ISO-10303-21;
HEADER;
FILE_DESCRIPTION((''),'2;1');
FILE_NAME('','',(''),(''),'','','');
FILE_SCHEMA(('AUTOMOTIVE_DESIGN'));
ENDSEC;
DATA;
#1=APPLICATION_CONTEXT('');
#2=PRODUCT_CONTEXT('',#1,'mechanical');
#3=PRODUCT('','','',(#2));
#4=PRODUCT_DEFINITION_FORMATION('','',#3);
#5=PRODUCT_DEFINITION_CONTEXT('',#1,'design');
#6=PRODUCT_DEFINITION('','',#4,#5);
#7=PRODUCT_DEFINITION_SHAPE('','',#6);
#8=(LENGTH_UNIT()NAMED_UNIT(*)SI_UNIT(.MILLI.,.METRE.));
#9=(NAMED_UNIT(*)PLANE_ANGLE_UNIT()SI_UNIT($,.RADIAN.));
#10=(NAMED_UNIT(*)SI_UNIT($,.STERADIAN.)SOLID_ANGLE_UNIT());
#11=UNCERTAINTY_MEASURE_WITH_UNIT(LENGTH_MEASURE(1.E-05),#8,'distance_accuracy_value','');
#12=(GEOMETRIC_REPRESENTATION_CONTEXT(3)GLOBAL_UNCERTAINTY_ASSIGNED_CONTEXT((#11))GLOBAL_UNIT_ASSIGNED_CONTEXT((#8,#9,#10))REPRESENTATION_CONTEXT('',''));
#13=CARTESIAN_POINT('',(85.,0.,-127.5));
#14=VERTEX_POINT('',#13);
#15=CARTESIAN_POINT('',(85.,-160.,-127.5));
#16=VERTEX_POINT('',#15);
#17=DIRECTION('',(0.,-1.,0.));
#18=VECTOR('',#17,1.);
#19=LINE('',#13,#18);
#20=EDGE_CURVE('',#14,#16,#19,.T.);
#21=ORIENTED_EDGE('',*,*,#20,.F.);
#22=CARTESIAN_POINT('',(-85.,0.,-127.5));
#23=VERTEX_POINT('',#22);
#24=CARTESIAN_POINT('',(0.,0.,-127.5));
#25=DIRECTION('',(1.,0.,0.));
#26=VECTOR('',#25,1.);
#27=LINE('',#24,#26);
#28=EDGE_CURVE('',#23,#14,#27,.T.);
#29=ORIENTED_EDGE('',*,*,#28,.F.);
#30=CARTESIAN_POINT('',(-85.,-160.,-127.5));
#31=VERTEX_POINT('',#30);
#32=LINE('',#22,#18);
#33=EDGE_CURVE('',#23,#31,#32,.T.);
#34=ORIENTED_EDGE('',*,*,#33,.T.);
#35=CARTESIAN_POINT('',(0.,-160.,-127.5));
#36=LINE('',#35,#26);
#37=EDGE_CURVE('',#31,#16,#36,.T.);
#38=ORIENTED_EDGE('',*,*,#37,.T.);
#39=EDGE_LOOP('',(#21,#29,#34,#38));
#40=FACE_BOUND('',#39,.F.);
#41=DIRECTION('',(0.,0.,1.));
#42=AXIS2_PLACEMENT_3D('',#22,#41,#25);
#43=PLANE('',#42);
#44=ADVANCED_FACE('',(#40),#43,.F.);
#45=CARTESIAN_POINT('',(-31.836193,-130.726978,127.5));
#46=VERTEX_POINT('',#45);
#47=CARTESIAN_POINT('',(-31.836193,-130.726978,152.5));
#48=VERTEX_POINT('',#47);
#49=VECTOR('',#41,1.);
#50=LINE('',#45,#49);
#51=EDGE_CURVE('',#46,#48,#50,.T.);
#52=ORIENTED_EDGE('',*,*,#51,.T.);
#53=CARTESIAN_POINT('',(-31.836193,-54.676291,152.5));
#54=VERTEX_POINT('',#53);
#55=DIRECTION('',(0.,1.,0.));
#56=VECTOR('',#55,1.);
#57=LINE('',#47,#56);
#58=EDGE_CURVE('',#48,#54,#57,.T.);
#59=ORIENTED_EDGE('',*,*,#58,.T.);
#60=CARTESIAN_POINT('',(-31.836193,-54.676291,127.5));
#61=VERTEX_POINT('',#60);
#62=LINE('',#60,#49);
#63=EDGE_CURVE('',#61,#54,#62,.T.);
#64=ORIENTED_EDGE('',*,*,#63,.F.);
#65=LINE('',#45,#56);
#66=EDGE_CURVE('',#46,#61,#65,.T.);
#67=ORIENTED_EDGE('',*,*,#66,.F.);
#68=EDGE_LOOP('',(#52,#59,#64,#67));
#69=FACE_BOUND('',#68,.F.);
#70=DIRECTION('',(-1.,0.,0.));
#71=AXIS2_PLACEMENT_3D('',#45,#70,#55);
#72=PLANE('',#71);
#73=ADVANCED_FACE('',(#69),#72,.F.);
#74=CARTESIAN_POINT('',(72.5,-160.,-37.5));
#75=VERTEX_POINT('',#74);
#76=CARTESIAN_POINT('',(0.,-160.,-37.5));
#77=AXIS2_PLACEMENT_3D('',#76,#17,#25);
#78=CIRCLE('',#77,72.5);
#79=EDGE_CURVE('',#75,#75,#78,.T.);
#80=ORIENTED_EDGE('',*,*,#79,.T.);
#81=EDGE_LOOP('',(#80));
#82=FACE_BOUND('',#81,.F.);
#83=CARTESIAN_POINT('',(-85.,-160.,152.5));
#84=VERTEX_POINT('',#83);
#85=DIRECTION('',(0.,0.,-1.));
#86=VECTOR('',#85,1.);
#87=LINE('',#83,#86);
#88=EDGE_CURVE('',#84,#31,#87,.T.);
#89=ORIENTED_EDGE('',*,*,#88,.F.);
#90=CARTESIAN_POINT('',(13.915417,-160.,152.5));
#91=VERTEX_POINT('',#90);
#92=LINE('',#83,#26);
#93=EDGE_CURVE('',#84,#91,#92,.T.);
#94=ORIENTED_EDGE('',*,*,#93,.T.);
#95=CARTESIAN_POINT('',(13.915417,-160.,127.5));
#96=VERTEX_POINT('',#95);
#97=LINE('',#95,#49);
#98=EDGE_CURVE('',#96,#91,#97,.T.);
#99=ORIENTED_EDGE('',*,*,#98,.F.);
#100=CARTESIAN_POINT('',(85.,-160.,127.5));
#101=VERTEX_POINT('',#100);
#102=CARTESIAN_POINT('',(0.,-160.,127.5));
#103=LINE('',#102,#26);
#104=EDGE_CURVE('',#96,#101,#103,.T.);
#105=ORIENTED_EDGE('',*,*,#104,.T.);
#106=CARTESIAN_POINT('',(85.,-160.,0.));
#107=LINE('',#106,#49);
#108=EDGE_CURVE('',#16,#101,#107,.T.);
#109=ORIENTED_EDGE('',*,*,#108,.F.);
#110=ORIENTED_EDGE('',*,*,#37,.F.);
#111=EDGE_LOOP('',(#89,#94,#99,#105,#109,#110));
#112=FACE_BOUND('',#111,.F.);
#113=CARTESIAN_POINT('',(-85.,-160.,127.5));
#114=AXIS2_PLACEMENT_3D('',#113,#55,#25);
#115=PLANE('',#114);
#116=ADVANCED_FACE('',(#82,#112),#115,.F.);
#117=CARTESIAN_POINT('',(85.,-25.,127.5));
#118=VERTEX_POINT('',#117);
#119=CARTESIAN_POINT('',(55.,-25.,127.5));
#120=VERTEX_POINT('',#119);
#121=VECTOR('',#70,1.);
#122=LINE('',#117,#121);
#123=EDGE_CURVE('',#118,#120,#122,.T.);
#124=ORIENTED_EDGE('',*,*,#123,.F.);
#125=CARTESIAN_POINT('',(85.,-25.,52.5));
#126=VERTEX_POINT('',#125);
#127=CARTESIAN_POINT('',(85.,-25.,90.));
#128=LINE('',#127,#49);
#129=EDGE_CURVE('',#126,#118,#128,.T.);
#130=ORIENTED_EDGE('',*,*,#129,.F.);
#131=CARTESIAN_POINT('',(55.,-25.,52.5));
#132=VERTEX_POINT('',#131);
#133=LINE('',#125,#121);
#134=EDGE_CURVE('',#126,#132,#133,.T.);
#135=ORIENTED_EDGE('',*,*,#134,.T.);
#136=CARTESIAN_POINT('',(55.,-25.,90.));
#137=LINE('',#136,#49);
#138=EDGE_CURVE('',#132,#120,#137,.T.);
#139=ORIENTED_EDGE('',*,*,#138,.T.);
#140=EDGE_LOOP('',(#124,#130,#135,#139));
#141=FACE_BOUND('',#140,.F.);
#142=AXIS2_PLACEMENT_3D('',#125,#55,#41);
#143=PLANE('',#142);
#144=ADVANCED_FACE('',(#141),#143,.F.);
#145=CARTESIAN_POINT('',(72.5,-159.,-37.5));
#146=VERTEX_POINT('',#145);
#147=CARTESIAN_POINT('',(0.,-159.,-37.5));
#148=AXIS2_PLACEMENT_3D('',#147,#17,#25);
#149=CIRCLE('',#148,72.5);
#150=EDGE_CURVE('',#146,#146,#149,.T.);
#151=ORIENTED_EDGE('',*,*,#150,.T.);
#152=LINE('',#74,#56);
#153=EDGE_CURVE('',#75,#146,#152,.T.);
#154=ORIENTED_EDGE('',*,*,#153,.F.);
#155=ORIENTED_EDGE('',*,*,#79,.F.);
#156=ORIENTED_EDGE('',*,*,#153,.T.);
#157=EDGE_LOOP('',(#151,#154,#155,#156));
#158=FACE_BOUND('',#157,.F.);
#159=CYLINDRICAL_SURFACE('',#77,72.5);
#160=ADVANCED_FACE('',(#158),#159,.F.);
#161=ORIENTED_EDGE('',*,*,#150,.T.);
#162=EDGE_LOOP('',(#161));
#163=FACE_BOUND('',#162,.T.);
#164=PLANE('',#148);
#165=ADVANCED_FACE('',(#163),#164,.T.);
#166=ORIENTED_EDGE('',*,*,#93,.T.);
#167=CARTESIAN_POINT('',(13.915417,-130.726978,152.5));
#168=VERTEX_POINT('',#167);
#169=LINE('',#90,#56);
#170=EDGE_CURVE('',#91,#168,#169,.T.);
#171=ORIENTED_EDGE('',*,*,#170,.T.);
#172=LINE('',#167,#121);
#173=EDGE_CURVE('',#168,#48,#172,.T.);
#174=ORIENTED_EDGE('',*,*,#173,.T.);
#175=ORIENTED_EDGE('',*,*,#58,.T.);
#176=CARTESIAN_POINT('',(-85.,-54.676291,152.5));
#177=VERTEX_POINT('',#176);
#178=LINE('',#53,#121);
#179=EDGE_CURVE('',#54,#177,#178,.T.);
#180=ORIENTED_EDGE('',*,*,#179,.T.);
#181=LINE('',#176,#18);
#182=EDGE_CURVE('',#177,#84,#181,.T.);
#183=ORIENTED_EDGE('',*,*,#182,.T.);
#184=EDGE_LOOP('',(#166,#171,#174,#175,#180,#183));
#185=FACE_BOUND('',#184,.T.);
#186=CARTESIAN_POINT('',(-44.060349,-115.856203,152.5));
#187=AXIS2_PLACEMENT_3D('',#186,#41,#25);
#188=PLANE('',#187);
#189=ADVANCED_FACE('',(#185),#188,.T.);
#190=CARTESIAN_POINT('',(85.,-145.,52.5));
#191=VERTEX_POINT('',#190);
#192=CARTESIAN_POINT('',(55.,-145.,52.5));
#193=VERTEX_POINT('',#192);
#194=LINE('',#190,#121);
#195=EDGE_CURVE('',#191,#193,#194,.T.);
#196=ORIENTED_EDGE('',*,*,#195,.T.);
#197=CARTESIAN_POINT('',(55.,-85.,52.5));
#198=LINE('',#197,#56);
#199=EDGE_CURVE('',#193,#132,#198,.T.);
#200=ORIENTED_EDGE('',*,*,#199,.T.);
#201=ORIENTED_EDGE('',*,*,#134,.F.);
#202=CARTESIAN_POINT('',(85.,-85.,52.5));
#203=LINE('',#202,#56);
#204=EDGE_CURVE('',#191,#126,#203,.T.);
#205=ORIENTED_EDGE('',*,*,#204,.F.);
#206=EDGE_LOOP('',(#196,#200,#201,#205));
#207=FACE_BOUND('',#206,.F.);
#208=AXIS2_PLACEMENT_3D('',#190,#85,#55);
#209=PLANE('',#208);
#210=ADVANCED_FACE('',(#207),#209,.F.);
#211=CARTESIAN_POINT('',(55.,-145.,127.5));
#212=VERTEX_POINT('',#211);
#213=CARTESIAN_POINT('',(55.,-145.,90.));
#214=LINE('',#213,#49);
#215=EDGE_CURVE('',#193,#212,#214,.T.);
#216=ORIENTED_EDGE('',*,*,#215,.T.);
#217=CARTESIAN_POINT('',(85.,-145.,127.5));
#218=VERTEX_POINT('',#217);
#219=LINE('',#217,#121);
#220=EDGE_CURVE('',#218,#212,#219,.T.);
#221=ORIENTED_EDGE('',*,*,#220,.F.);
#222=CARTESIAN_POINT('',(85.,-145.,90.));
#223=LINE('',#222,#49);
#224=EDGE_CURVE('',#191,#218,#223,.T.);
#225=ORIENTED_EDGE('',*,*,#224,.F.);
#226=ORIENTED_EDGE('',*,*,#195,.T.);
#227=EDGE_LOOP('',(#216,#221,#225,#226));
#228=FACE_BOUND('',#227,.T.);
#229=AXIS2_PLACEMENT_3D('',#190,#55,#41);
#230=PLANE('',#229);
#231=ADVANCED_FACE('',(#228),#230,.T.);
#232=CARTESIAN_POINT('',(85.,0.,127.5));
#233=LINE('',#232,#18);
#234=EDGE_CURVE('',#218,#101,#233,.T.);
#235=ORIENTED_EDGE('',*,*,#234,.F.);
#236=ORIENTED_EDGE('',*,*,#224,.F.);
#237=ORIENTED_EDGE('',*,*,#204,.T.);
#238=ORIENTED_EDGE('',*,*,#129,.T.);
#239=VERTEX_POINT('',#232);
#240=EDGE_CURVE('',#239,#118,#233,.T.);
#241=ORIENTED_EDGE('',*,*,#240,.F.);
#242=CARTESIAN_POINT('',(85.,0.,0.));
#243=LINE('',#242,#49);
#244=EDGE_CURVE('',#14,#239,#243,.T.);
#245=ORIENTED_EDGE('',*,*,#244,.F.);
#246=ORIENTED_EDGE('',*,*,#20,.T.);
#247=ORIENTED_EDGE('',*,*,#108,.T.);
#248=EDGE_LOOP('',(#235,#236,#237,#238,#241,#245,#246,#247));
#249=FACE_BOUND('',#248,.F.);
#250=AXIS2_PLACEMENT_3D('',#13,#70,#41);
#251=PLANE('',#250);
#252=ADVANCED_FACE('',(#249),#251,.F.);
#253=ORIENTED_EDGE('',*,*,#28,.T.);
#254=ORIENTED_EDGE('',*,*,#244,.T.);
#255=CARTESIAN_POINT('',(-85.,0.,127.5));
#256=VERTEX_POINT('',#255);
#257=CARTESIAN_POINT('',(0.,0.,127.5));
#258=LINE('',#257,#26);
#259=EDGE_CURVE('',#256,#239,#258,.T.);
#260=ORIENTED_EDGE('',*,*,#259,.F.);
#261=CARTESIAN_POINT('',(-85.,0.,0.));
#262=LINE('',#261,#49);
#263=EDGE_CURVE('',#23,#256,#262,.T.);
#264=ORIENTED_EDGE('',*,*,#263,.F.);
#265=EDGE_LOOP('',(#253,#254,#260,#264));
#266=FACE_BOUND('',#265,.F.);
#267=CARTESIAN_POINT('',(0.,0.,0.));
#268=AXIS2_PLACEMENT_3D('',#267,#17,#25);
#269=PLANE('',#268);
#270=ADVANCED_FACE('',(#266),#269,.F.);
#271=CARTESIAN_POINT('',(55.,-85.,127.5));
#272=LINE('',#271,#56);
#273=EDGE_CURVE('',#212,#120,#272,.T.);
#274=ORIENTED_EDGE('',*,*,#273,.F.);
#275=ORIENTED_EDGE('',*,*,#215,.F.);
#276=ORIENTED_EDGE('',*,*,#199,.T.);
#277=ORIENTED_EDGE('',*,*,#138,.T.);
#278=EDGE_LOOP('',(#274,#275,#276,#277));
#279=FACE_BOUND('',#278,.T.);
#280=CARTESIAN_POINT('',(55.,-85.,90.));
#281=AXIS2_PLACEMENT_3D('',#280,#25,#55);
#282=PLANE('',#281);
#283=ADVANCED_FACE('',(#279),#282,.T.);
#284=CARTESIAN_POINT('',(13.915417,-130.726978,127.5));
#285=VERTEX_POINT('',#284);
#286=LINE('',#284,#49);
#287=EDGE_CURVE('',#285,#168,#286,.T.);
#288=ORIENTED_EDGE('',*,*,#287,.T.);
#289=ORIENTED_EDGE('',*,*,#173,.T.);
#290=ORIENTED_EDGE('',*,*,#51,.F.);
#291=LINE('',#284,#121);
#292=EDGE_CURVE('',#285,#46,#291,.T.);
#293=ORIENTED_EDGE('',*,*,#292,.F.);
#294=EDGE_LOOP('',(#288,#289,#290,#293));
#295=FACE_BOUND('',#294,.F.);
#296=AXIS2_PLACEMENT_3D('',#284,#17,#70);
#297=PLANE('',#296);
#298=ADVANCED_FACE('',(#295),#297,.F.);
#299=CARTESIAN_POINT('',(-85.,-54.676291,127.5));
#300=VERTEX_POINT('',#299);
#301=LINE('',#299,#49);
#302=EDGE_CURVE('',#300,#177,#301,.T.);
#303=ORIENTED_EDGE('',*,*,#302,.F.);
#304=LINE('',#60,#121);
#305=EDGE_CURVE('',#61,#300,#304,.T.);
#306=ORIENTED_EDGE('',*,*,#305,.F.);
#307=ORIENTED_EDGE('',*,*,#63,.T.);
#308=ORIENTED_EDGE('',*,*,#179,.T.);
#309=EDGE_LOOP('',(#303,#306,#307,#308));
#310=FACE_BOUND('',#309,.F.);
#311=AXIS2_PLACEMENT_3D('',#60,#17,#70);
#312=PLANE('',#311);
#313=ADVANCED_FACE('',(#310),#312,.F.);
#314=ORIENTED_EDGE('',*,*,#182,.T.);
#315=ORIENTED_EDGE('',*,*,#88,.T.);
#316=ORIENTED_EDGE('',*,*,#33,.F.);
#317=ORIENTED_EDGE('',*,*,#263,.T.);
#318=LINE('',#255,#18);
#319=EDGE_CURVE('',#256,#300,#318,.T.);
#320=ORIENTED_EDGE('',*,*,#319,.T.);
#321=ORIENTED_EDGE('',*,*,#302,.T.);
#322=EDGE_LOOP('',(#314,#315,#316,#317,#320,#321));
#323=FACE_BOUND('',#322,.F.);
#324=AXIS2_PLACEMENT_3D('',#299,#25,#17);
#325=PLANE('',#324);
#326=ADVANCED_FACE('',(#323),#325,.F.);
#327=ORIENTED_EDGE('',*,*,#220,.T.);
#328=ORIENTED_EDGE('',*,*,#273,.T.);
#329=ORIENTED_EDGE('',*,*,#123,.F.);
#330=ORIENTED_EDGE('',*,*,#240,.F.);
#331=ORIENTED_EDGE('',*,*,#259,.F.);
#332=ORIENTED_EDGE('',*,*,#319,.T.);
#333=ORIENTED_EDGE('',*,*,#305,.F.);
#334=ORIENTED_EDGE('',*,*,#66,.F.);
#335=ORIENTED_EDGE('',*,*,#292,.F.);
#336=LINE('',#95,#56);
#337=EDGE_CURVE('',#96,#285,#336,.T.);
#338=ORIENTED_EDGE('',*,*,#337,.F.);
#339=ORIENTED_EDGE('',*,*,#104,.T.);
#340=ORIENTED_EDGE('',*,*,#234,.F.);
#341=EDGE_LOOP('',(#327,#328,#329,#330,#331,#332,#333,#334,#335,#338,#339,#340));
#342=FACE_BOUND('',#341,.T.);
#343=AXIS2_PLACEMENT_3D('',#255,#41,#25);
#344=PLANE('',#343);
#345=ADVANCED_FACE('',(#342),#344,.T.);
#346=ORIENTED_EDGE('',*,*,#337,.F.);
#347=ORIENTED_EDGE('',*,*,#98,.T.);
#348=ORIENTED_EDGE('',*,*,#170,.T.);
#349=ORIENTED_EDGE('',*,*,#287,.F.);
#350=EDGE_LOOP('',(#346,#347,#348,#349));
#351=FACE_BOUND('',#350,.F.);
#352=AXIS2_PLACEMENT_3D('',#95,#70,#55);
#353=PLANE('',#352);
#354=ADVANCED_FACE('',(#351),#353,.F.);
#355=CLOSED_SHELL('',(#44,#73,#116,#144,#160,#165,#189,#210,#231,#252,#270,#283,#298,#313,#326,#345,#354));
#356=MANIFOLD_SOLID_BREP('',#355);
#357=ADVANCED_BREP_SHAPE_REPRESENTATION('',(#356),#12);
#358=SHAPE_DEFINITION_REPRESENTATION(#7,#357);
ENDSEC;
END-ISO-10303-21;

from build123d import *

# Parameters (mm, degrees)
F0_W     = 170
F0_H     = 255
F1_DEPTH = 160
F2_R     = 72.5
F3_DEPTH = 1
F4_W     = 120
F4_H     = 75
F5_DEPTH = 30
F7_DEPTH = 25


with BuildPart() as f1:
    # F0 (on Front) → F1 (new body)
    with BuildSketch(Plane.XZ):
        Rectangle(F0_W, F0_H)
    extrude(amount=F1_DEPTH)

    # F2 (on face) → F3 (cut)
    with BuildSketch(Plane.XZ.offset(160)):
        with Locations((0, -37.5)):
            Circle(F2_R)
    extrude(amount=-F3_DEPTH, mode=Mode.SUBTRACT)

    # F4 (on face) → F5 (cut)
    with BuildSketch(Plane.YZ.offset(85)):
        with Locations((-85, 90)):
            Rectangle(F4_W, F4_H)
    extrude(amount=-F5_DEPTH, mode=Mode.SUBTRACT)

    # F6 (on face) → F7 (join)
    with BuildSketch(Plane.XY.offset(127.5)):
        Polygon((-85, -130.726978), (-85, -160), (13.915417, -160), (13.915417, -130.726978), (-31.836193, -130.726978), (-31.836193, -54.676291), (-85, -54.676291), align=None)
    extrude(amount=F7_DEPTH)


solid = f1.part
